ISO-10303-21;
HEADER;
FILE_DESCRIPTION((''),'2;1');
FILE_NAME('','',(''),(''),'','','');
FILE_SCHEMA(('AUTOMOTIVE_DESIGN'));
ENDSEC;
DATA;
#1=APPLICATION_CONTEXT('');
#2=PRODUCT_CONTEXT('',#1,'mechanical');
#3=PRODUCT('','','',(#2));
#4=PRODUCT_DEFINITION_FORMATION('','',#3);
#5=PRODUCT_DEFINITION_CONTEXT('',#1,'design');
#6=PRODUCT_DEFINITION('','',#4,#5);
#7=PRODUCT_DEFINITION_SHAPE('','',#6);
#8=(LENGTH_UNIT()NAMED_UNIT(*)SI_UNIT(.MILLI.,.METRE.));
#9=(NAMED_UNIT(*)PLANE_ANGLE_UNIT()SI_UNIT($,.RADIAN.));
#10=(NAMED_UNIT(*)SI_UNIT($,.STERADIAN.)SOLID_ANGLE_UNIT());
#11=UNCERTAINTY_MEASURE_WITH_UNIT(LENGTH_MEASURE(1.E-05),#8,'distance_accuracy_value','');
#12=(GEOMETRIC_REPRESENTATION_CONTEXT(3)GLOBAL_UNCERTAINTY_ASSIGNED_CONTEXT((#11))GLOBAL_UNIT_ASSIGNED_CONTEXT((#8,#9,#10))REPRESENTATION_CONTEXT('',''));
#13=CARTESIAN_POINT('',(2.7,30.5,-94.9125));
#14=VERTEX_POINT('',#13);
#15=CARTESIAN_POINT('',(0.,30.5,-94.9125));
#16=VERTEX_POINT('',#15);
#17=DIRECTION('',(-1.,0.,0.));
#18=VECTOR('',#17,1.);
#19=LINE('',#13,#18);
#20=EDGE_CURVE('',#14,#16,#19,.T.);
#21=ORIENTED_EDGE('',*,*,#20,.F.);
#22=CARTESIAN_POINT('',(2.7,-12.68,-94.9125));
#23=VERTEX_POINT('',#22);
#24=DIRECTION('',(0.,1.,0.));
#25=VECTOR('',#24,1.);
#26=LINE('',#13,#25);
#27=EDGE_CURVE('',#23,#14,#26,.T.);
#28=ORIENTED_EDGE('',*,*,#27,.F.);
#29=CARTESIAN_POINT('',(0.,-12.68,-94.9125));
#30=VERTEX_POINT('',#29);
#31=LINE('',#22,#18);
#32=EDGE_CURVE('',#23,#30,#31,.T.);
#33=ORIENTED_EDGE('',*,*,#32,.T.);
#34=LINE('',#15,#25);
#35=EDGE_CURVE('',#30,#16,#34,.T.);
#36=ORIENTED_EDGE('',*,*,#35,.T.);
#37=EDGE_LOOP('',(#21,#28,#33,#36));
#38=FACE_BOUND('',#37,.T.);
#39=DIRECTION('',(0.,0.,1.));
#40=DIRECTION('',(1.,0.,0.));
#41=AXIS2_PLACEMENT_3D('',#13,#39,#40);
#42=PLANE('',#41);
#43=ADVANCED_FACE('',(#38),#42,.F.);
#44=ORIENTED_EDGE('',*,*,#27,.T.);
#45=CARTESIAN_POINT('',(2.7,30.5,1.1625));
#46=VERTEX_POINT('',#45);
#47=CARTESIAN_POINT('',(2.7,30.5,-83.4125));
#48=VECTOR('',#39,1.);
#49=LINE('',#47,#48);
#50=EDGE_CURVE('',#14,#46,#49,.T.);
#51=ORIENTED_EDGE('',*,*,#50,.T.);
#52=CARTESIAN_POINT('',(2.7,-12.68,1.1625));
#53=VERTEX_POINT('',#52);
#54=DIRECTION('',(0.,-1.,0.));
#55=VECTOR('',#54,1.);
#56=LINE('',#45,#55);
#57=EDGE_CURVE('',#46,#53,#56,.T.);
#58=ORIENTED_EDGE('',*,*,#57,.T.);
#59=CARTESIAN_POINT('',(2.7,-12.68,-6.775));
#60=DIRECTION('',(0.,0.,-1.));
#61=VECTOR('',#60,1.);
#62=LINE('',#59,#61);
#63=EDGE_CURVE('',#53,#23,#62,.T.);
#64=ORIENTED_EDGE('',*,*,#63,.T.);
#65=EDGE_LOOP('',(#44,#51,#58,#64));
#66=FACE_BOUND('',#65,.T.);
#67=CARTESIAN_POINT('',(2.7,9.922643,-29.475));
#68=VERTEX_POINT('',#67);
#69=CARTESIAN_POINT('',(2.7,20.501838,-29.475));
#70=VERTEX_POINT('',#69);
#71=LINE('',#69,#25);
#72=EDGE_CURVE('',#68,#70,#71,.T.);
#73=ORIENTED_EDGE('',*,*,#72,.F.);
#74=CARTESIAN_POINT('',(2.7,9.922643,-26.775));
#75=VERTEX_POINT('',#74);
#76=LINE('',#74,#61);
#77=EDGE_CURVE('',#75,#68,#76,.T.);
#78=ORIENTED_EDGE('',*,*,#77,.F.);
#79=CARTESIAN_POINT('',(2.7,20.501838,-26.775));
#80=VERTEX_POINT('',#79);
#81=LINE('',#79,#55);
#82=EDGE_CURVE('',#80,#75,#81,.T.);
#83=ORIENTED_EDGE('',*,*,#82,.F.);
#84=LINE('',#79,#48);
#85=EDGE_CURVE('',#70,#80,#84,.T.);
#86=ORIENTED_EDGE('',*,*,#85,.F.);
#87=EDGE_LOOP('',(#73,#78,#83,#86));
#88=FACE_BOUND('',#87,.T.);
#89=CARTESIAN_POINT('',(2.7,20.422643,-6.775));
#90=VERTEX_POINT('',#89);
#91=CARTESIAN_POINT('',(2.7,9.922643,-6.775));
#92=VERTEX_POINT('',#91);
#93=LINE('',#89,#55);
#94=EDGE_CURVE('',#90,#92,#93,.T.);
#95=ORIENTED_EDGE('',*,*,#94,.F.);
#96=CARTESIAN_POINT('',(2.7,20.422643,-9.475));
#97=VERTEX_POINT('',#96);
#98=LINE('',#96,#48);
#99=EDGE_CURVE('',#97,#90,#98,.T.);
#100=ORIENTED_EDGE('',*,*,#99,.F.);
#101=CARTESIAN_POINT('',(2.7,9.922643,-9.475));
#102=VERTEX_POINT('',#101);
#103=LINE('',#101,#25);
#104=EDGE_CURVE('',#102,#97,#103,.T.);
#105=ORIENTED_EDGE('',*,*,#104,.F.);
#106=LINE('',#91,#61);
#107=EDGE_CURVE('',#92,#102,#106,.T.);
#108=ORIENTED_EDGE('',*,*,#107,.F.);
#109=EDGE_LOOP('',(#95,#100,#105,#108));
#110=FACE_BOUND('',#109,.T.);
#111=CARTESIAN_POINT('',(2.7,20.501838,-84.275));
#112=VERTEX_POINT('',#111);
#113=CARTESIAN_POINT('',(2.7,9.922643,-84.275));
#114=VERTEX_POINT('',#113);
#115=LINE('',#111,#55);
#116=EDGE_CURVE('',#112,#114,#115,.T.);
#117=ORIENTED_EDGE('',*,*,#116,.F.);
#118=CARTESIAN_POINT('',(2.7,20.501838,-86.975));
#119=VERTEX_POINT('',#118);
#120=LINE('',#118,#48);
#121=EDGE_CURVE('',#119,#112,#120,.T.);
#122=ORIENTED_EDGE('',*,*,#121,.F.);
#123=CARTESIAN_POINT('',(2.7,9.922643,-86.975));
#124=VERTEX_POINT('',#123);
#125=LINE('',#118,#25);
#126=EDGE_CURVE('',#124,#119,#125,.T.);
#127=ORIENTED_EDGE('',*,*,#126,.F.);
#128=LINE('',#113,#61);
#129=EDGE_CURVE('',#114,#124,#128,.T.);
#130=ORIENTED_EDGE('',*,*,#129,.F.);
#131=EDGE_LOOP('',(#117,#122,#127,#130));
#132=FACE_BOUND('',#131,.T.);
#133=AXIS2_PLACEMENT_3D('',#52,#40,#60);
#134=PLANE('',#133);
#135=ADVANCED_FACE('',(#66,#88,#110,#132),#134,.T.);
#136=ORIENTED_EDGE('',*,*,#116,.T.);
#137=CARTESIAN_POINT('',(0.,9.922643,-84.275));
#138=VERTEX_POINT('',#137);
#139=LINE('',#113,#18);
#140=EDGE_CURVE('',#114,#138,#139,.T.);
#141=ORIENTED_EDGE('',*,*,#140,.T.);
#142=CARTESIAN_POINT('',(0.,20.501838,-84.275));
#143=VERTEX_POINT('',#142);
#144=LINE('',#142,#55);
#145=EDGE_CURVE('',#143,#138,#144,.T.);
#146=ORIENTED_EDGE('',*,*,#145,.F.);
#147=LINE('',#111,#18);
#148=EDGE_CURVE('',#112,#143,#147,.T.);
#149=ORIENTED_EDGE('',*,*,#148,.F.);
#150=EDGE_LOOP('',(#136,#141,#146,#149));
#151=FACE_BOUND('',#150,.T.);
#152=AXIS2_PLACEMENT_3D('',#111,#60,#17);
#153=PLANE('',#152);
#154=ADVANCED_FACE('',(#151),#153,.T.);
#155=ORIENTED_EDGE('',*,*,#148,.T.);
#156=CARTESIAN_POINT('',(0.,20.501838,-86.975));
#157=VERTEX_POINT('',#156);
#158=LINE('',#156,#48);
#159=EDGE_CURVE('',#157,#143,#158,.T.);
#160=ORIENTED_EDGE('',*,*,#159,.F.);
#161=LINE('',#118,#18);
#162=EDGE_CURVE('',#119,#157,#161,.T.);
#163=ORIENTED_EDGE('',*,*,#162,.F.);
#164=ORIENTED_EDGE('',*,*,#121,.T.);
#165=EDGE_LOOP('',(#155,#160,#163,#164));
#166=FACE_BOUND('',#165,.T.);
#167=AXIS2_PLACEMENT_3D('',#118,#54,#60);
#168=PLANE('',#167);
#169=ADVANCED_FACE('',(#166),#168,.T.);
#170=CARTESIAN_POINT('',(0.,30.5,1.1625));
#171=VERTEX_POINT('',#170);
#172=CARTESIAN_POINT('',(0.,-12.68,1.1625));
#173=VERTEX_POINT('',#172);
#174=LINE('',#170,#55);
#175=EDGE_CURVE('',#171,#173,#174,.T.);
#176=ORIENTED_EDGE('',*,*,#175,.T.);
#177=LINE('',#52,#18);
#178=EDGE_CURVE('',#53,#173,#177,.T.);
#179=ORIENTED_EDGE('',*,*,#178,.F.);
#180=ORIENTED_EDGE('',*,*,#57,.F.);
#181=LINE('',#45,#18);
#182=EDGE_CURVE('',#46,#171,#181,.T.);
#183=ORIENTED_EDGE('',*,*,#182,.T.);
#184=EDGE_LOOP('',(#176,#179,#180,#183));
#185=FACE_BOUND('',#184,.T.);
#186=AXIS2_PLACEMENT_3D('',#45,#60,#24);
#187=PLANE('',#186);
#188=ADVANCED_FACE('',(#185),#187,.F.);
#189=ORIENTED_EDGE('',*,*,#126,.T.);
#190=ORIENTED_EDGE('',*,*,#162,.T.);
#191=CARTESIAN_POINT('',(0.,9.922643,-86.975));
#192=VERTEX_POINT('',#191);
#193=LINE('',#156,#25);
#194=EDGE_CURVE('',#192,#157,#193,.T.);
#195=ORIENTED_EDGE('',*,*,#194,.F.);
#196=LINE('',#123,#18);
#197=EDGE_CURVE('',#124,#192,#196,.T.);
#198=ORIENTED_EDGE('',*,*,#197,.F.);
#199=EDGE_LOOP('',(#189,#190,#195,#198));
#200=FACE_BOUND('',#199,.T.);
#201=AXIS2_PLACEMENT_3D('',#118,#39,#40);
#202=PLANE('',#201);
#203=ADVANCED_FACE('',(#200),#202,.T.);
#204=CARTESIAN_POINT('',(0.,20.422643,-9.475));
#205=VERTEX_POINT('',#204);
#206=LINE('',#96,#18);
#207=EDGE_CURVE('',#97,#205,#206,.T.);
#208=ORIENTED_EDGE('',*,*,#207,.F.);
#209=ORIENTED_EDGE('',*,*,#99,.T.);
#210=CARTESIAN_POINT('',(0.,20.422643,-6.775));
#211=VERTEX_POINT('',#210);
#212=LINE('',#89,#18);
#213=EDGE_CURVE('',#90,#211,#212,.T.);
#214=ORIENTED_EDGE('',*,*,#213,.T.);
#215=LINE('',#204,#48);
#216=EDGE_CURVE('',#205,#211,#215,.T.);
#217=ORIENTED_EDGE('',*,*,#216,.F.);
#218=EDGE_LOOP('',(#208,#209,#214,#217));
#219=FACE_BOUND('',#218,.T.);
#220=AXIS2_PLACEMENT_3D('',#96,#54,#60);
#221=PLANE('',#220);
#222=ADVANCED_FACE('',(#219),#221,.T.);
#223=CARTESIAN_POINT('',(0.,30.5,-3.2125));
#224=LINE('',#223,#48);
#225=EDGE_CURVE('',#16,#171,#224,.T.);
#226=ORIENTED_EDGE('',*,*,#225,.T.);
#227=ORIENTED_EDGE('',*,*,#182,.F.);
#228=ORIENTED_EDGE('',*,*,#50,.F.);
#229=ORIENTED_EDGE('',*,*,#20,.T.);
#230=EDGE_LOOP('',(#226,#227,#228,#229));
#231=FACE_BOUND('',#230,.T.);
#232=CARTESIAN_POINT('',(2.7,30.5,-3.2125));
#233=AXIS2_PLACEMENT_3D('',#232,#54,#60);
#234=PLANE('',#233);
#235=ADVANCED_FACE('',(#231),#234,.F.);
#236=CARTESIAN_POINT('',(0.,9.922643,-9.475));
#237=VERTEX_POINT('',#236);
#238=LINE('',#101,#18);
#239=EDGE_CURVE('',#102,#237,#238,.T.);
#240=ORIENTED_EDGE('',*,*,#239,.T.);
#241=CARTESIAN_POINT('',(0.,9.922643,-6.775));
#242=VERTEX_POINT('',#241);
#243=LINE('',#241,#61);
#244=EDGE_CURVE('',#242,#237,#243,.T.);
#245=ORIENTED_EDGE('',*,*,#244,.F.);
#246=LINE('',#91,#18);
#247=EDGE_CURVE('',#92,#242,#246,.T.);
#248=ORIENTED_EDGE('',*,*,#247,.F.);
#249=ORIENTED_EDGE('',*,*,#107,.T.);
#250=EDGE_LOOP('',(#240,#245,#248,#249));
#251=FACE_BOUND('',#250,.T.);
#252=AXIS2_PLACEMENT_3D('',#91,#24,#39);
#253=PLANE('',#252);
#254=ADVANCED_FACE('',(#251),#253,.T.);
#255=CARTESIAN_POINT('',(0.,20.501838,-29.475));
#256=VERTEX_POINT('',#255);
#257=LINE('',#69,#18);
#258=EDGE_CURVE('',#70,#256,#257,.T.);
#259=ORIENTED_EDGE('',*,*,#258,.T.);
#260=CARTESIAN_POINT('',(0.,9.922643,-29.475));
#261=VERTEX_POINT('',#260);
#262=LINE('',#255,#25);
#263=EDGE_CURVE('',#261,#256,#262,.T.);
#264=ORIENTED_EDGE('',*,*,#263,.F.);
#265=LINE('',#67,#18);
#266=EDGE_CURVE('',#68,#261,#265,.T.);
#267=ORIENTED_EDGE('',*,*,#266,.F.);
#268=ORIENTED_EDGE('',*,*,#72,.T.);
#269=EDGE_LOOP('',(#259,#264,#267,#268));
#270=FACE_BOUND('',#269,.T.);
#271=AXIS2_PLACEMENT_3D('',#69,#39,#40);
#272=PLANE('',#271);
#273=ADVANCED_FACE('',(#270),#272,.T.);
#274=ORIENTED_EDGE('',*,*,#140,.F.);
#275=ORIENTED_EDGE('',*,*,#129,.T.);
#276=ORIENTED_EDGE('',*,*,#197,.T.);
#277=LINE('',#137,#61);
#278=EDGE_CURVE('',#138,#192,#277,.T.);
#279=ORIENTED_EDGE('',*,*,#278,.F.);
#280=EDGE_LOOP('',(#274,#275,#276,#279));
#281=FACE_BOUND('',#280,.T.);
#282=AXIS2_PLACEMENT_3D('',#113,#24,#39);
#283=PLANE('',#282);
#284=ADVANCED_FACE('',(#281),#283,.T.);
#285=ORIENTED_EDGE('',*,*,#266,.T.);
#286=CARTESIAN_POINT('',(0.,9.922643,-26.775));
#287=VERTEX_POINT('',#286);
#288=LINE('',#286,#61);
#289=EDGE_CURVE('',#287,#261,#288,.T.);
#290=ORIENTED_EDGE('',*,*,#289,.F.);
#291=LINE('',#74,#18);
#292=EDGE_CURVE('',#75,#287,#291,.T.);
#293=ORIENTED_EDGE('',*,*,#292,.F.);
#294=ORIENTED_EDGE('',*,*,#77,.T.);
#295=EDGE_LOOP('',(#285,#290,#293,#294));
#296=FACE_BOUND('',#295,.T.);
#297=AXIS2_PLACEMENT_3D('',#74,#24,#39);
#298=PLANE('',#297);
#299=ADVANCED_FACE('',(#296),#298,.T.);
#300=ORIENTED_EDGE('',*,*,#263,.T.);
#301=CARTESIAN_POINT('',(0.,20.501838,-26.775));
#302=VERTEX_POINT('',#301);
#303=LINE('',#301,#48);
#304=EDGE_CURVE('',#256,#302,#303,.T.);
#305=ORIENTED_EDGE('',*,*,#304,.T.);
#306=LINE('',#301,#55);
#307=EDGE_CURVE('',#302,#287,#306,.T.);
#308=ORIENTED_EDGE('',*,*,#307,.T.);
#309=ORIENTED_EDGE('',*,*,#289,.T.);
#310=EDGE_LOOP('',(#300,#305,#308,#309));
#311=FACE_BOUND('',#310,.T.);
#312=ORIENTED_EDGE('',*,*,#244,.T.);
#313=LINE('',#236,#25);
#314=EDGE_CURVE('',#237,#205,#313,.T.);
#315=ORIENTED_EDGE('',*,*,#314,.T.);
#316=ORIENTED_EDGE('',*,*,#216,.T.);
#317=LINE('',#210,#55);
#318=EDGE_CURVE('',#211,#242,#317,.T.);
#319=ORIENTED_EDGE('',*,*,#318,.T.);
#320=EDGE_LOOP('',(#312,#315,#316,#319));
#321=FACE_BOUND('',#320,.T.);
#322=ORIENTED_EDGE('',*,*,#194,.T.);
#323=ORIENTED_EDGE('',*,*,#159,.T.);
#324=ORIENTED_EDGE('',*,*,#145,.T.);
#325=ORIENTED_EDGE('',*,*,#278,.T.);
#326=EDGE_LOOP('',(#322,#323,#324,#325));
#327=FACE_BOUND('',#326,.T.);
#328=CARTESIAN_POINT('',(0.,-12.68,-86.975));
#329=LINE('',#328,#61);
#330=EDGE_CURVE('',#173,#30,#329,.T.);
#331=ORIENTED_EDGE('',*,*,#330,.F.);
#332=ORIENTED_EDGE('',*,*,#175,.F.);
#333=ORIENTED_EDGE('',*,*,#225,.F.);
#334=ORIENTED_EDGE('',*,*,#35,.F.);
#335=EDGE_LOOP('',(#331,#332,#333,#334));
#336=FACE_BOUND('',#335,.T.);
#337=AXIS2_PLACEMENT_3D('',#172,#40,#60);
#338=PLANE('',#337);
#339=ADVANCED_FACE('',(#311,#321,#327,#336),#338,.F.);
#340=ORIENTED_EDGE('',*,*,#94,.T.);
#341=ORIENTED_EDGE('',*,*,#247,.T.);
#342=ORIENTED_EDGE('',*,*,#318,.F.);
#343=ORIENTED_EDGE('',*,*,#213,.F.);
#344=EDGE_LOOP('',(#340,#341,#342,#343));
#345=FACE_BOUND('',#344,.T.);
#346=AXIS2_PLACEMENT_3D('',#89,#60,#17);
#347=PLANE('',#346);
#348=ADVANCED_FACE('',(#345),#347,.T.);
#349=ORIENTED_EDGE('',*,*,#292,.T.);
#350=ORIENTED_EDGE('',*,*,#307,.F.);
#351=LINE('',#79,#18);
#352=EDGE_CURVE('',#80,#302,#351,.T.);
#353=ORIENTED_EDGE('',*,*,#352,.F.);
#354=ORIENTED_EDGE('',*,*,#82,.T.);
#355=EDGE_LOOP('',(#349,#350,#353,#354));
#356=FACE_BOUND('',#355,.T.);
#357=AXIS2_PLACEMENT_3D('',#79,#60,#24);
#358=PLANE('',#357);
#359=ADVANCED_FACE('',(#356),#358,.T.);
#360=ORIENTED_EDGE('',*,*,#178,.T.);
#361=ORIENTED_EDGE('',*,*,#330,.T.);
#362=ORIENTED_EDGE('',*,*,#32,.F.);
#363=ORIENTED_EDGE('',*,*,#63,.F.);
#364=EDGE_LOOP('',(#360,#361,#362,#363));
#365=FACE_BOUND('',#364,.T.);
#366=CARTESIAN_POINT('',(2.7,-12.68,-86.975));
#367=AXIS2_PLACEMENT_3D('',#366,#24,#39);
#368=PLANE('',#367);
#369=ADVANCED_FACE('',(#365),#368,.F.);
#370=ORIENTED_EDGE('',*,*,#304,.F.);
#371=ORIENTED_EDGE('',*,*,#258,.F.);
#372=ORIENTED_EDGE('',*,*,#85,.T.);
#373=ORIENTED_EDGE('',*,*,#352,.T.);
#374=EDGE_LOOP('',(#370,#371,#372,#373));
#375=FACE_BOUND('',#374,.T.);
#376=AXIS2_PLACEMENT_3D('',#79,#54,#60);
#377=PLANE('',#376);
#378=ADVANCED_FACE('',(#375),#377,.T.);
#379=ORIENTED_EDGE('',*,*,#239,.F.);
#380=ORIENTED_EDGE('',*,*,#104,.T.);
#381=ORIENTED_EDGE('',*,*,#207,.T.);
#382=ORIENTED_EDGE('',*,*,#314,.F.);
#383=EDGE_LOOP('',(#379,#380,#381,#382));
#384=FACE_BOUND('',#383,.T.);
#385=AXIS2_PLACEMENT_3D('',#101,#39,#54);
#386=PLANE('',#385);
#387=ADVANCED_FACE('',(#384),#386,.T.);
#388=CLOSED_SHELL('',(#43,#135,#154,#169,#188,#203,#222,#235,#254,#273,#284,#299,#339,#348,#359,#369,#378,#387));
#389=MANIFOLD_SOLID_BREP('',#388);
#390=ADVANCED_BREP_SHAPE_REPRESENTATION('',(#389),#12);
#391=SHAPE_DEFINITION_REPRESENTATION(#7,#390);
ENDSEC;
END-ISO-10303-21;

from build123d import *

# Parameters (mm, degrees)
SKETCH1_W   = 2.7
SKETCH1_H   = 10.5
SKETCH1_H_2 = 10.579195959
PANEL_DEPTH = 2.7


with BuildPart() as part:
    # Sketch1 → Panel (new body)
    with BuildSketch(Plane(origin=(0, 0, 0), x_dir=(0, 0, -1), z_dir=(1, 0, 0))):
        Polygon((3.2125, 30.5), (83.4125, 30.5), (94.9125, 30.5), (94.9125, -12.68), (86.975, -12.68), (6.775, -12.68), (-1.1625, -12.68), (-1.1625, 30.5), align=None)
        with Locations((8.125, 15.172642531)):
            Rectangle(SKETCH1_W, SKETCH1_H, mode=Mode.SUBTRACT)
        with Locations((85.625, 15.212240511)):
            Rectangle(SKETCH1_W, SKETCH1_H_2, mode=Mode.SUBTRACT)
        with Locations((28.125, 15.212240511)):
            Rectangle(SKETCH1_W, SKETCH1_H_2, mode=Mode.SUBTRACT)
    extrude(amount=PANEL_DEPTH)


solid = part.part
